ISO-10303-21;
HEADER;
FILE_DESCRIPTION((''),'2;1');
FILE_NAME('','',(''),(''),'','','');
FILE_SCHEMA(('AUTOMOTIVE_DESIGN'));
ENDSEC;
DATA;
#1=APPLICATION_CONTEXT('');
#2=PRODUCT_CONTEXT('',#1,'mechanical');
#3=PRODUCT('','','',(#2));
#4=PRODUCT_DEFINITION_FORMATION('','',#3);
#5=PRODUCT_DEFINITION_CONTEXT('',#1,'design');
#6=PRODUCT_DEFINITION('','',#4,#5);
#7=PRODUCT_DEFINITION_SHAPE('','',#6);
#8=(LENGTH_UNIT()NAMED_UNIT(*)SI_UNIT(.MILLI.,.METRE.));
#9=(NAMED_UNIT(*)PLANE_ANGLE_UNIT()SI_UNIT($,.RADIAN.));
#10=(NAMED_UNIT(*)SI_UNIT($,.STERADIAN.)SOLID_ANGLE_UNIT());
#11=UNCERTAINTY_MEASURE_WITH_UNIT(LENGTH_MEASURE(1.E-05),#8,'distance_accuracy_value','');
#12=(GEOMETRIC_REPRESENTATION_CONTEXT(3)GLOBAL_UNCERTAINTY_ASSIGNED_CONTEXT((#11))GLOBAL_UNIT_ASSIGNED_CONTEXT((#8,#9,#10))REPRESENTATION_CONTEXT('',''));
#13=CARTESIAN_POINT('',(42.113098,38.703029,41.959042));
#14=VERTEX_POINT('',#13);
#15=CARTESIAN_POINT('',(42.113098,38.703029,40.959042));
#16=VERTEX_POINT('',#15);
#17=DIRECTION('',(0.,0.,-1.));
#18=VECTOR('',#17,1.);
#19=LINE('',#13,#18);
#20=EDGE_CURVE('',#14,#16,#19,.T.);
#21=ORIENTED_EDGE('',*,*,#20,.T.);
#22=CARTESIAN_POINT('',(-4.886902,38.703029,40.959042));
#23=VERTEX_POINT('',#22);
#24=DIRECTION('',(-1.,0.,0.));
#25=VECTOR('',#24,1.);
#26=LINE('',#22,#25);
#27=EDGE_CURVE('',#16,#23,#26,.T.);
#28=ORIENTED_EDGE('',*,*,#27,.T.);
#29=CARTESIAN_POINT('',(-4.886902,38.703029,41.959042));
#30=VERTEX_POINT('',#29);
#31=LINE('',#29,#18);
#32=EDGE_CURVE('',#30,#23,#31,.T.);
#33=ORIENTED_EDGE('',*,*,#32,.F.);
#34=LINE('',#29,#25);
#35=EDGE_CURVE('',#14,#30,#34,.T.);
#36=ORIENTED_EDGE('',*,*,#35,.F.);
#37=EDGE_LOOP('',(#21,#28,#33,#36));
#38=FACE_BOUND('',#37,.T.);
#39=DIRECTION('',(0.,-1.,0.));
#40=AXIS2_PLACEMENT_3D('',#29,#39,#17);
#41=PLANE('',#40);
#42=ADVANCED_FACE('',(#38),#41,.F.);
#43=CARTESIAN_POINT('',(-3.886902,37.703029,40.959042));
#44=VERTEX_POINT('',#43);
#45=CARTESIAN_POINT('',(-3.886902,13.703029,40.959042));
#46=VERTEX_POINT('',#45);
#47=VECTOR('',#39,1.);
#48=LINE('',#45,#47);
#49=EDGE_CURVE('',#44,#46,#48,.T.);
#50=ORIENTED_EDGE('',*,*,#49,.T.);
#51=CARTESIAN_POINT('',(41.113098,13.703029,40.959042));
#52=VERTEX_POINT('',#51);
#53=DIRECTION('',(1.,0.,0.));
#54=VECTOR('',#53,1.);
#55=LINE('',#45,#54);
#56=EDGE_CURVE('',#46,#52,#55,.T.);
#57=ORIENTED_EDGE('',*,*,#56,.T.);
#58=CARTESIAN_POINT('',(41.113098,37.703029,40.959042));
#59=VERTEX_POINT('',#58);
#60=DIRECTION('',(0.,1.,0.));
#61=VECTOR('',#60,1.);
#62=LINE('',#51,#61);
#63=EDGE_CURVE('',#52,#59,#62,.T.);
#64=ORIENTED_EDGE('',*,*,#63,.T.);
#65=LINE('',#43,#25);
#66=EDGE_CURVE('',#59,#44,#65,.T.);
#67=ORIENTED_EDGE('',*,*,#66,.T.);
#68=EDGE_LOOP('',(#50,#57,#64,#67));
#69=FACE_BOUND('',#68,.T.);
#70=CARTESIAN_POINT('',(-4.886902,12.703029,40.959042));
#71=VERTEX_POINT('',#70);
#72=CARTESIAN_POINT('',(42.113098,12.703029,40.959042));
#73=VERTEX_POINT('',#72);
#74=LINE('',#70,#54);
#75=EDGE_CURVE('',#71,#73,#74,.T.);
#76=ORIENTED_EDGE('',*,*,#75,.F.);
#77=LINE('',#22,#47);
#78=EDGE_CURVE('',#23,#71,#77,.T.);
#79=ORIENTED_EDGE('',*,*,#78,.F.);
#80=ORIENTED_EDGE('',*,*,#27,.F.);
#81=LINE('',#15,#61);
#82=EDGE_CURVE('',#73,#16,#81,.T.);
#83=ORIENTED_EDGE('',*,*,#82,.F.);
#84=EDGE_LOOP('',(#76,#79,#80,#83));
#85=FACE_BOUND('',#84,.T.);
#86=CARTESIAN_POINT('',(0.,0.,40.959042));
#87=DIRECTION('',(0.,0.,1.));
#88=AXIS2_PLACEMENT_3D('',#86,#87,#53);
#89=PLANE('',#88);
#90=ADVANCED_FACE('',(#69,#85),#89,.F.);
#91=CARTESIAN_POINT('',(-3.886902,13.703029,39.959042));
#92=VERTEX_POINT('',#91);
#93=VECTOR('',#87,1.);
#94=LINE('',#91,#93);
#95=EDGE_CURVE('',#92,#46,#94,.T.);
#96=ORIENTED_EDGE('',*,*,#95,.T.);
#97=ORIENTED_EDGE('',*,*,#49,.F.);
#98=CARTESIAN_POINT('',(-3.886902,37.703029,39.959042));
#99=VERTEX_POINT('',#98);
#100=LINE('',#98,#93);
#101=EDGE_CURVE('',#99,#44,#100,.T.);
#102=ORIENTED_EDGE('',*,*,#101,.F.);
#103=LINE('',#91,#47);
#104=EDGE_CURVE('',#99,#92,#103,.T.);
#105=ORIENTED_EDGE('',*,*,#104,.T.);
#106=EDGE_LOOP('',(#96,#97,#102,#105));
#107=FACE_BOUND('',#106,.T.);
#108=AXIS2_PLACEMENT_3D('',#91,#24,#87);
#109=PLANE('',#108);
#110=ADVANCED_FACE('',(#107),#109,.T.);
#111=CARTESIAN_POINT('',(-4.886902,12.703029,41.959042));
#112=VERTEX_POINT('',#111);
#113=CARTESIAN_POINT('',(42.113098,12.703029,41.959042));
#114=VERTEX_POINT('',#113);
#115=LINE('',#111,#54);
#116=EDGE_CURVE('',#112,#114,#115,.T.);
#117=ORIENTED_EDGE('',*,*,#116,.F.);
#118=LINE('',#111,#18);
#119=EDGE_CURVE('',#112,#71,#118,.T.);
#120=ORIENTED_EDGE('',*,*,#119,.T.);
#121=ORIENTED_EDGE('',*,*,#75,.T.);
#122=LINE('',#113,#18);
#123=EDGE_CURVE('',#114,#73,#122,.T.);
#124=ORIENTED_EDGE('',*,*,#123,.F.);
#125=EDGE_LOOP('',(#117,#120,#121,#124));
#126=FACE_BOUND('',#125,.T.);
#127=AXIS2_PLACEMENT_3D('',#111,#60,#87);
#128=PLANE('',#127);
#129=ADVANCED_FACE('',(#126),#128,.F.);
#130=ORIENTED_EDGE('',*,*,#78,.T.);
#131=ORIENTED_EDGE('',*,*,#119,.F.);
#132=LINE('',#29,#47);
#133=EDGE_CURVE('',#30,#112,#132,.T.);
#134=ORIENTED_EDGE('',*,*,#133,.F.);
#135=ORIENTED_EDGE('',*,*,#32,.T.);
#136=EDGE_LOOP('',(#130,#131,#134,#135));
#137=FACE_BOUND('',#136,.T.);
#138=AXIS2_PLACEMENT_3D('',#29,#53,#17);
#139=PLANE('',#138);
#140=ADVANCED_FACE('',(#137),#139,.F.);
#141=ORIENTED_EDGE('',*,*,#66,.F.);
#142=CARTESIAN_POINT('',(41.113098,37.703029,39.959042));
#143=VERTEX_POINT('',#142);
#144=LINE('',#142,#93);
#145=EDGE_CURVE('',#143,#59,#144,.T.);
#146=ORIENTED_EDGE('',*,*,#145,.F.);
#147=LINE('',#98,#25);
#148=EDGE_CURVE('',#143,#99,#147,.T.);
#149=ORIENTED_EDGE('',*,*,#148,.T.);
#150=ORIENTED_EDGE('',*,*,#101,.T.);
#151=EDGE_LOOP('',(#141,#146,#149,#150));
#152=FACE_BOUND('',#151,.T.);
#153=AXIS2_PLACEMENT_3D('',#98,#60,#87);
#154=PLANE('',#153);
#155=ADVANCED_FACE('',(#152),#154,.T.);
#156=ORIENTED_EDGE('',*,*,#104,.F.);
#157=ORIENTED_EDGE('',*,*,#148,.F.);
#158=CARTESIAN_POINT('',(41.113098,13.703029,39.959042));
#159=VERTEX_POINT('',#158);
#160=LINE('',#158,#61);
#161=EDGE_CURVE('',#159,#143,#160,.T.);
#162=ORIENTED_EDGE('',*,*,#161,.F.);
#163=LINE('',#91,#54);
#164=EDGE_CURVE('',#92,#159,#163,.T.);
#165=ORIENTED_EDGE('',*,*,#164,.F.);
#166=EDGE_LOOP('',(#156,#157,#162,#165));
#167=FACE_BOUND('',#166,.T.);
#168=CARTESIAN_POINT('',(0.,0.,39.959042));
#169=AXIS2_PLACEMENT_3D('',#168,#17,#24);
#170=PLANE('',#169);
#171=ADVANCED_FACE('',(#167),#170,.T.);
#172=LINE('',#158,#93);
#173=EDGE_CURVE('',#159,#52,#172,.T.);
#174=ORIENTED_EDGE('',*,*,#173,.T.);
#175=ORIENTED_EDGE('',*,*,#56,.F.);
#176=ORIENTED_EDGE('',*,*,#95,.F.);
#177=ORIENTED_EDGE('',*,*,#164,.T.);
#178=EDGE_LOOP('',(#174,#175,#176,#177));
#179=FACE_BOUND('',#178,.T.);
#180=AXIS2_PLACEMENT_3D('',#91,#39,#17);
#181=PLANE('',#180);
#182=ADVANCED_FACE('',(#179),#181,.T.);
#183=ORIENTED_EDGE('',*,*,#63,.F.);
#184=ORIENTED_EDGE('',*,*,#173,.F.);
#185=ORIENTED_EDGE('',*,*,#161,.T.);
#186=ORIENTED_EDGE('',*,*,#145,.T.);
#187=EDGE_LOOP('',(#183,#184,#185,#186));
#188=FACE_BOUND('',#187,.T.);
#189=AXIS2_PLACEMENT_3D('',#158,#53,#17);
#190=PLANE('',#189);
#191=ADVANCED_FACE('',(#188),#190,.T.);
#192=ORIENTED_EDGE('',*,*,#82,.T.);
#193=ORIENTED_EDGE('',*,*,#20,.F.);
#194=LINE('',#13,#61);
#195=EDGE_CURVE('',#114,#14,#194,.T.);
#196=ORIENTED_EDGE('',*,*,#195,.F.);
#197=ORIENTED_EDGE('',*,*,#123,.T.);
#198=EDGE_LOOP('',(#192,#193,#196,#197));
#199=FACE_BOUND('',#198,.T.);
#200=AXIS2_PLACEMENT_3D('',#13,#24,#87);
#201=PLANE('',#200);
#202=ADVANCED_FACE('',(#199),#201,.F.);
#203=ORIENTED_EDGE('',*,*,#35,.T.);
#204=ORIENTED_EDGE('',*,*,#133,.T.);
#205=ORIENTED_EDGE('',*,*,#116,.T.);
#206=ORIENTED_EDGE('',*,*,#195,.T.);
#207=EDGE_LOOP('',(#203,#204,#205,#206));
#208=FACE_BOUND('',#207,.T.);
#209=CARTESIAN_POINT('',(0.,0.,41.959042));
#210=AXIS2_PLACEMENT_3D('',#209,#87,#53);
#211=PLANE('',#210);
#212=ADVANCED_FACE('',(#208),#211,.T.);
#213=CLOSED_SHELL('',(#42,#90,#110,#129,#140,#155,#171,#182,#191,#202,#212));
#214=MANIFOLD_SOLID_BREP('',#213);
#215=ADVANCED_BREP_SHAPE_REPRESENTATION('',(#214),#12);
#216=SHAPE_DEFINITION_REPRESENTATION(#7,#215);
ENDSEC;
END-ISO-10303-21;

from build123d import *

# Parameters (mm, degrees)
SKETCH1_W           = 45
SKETCH1_H           = 24
BOSS_EXTRUDE1_DEPTH = 1
SKETCH2_W           = 47
SKETCH2_H           = 26
BOSS_EXTRUDE2_DEPTH = 1


with BuildPart() as part:
    # Sketch1 → Boss-Extrude1 (new body)
    with BuildSketch(Plane.XY.offset(40.959042005)):
        with Locations((18.613098235, 25.703029386)):
            Rectangle(SKETCH1_W, SKETCH1_H)
    extrude(amount=-BOSS_EXTRUDE1_DEPTH)

    # Sketch2 → Boss-Extrude2 (add)
    with BuildSketch(Plane.XY.offset(40.959042005)):
        with Locations((18.613098235, 25.703029386)):
            Rectangle(SKETCH2_W, SKETCH2_H)
    extrude(amount=BOSS_EXTRUDE2_DEPTH)


solid = part.part
